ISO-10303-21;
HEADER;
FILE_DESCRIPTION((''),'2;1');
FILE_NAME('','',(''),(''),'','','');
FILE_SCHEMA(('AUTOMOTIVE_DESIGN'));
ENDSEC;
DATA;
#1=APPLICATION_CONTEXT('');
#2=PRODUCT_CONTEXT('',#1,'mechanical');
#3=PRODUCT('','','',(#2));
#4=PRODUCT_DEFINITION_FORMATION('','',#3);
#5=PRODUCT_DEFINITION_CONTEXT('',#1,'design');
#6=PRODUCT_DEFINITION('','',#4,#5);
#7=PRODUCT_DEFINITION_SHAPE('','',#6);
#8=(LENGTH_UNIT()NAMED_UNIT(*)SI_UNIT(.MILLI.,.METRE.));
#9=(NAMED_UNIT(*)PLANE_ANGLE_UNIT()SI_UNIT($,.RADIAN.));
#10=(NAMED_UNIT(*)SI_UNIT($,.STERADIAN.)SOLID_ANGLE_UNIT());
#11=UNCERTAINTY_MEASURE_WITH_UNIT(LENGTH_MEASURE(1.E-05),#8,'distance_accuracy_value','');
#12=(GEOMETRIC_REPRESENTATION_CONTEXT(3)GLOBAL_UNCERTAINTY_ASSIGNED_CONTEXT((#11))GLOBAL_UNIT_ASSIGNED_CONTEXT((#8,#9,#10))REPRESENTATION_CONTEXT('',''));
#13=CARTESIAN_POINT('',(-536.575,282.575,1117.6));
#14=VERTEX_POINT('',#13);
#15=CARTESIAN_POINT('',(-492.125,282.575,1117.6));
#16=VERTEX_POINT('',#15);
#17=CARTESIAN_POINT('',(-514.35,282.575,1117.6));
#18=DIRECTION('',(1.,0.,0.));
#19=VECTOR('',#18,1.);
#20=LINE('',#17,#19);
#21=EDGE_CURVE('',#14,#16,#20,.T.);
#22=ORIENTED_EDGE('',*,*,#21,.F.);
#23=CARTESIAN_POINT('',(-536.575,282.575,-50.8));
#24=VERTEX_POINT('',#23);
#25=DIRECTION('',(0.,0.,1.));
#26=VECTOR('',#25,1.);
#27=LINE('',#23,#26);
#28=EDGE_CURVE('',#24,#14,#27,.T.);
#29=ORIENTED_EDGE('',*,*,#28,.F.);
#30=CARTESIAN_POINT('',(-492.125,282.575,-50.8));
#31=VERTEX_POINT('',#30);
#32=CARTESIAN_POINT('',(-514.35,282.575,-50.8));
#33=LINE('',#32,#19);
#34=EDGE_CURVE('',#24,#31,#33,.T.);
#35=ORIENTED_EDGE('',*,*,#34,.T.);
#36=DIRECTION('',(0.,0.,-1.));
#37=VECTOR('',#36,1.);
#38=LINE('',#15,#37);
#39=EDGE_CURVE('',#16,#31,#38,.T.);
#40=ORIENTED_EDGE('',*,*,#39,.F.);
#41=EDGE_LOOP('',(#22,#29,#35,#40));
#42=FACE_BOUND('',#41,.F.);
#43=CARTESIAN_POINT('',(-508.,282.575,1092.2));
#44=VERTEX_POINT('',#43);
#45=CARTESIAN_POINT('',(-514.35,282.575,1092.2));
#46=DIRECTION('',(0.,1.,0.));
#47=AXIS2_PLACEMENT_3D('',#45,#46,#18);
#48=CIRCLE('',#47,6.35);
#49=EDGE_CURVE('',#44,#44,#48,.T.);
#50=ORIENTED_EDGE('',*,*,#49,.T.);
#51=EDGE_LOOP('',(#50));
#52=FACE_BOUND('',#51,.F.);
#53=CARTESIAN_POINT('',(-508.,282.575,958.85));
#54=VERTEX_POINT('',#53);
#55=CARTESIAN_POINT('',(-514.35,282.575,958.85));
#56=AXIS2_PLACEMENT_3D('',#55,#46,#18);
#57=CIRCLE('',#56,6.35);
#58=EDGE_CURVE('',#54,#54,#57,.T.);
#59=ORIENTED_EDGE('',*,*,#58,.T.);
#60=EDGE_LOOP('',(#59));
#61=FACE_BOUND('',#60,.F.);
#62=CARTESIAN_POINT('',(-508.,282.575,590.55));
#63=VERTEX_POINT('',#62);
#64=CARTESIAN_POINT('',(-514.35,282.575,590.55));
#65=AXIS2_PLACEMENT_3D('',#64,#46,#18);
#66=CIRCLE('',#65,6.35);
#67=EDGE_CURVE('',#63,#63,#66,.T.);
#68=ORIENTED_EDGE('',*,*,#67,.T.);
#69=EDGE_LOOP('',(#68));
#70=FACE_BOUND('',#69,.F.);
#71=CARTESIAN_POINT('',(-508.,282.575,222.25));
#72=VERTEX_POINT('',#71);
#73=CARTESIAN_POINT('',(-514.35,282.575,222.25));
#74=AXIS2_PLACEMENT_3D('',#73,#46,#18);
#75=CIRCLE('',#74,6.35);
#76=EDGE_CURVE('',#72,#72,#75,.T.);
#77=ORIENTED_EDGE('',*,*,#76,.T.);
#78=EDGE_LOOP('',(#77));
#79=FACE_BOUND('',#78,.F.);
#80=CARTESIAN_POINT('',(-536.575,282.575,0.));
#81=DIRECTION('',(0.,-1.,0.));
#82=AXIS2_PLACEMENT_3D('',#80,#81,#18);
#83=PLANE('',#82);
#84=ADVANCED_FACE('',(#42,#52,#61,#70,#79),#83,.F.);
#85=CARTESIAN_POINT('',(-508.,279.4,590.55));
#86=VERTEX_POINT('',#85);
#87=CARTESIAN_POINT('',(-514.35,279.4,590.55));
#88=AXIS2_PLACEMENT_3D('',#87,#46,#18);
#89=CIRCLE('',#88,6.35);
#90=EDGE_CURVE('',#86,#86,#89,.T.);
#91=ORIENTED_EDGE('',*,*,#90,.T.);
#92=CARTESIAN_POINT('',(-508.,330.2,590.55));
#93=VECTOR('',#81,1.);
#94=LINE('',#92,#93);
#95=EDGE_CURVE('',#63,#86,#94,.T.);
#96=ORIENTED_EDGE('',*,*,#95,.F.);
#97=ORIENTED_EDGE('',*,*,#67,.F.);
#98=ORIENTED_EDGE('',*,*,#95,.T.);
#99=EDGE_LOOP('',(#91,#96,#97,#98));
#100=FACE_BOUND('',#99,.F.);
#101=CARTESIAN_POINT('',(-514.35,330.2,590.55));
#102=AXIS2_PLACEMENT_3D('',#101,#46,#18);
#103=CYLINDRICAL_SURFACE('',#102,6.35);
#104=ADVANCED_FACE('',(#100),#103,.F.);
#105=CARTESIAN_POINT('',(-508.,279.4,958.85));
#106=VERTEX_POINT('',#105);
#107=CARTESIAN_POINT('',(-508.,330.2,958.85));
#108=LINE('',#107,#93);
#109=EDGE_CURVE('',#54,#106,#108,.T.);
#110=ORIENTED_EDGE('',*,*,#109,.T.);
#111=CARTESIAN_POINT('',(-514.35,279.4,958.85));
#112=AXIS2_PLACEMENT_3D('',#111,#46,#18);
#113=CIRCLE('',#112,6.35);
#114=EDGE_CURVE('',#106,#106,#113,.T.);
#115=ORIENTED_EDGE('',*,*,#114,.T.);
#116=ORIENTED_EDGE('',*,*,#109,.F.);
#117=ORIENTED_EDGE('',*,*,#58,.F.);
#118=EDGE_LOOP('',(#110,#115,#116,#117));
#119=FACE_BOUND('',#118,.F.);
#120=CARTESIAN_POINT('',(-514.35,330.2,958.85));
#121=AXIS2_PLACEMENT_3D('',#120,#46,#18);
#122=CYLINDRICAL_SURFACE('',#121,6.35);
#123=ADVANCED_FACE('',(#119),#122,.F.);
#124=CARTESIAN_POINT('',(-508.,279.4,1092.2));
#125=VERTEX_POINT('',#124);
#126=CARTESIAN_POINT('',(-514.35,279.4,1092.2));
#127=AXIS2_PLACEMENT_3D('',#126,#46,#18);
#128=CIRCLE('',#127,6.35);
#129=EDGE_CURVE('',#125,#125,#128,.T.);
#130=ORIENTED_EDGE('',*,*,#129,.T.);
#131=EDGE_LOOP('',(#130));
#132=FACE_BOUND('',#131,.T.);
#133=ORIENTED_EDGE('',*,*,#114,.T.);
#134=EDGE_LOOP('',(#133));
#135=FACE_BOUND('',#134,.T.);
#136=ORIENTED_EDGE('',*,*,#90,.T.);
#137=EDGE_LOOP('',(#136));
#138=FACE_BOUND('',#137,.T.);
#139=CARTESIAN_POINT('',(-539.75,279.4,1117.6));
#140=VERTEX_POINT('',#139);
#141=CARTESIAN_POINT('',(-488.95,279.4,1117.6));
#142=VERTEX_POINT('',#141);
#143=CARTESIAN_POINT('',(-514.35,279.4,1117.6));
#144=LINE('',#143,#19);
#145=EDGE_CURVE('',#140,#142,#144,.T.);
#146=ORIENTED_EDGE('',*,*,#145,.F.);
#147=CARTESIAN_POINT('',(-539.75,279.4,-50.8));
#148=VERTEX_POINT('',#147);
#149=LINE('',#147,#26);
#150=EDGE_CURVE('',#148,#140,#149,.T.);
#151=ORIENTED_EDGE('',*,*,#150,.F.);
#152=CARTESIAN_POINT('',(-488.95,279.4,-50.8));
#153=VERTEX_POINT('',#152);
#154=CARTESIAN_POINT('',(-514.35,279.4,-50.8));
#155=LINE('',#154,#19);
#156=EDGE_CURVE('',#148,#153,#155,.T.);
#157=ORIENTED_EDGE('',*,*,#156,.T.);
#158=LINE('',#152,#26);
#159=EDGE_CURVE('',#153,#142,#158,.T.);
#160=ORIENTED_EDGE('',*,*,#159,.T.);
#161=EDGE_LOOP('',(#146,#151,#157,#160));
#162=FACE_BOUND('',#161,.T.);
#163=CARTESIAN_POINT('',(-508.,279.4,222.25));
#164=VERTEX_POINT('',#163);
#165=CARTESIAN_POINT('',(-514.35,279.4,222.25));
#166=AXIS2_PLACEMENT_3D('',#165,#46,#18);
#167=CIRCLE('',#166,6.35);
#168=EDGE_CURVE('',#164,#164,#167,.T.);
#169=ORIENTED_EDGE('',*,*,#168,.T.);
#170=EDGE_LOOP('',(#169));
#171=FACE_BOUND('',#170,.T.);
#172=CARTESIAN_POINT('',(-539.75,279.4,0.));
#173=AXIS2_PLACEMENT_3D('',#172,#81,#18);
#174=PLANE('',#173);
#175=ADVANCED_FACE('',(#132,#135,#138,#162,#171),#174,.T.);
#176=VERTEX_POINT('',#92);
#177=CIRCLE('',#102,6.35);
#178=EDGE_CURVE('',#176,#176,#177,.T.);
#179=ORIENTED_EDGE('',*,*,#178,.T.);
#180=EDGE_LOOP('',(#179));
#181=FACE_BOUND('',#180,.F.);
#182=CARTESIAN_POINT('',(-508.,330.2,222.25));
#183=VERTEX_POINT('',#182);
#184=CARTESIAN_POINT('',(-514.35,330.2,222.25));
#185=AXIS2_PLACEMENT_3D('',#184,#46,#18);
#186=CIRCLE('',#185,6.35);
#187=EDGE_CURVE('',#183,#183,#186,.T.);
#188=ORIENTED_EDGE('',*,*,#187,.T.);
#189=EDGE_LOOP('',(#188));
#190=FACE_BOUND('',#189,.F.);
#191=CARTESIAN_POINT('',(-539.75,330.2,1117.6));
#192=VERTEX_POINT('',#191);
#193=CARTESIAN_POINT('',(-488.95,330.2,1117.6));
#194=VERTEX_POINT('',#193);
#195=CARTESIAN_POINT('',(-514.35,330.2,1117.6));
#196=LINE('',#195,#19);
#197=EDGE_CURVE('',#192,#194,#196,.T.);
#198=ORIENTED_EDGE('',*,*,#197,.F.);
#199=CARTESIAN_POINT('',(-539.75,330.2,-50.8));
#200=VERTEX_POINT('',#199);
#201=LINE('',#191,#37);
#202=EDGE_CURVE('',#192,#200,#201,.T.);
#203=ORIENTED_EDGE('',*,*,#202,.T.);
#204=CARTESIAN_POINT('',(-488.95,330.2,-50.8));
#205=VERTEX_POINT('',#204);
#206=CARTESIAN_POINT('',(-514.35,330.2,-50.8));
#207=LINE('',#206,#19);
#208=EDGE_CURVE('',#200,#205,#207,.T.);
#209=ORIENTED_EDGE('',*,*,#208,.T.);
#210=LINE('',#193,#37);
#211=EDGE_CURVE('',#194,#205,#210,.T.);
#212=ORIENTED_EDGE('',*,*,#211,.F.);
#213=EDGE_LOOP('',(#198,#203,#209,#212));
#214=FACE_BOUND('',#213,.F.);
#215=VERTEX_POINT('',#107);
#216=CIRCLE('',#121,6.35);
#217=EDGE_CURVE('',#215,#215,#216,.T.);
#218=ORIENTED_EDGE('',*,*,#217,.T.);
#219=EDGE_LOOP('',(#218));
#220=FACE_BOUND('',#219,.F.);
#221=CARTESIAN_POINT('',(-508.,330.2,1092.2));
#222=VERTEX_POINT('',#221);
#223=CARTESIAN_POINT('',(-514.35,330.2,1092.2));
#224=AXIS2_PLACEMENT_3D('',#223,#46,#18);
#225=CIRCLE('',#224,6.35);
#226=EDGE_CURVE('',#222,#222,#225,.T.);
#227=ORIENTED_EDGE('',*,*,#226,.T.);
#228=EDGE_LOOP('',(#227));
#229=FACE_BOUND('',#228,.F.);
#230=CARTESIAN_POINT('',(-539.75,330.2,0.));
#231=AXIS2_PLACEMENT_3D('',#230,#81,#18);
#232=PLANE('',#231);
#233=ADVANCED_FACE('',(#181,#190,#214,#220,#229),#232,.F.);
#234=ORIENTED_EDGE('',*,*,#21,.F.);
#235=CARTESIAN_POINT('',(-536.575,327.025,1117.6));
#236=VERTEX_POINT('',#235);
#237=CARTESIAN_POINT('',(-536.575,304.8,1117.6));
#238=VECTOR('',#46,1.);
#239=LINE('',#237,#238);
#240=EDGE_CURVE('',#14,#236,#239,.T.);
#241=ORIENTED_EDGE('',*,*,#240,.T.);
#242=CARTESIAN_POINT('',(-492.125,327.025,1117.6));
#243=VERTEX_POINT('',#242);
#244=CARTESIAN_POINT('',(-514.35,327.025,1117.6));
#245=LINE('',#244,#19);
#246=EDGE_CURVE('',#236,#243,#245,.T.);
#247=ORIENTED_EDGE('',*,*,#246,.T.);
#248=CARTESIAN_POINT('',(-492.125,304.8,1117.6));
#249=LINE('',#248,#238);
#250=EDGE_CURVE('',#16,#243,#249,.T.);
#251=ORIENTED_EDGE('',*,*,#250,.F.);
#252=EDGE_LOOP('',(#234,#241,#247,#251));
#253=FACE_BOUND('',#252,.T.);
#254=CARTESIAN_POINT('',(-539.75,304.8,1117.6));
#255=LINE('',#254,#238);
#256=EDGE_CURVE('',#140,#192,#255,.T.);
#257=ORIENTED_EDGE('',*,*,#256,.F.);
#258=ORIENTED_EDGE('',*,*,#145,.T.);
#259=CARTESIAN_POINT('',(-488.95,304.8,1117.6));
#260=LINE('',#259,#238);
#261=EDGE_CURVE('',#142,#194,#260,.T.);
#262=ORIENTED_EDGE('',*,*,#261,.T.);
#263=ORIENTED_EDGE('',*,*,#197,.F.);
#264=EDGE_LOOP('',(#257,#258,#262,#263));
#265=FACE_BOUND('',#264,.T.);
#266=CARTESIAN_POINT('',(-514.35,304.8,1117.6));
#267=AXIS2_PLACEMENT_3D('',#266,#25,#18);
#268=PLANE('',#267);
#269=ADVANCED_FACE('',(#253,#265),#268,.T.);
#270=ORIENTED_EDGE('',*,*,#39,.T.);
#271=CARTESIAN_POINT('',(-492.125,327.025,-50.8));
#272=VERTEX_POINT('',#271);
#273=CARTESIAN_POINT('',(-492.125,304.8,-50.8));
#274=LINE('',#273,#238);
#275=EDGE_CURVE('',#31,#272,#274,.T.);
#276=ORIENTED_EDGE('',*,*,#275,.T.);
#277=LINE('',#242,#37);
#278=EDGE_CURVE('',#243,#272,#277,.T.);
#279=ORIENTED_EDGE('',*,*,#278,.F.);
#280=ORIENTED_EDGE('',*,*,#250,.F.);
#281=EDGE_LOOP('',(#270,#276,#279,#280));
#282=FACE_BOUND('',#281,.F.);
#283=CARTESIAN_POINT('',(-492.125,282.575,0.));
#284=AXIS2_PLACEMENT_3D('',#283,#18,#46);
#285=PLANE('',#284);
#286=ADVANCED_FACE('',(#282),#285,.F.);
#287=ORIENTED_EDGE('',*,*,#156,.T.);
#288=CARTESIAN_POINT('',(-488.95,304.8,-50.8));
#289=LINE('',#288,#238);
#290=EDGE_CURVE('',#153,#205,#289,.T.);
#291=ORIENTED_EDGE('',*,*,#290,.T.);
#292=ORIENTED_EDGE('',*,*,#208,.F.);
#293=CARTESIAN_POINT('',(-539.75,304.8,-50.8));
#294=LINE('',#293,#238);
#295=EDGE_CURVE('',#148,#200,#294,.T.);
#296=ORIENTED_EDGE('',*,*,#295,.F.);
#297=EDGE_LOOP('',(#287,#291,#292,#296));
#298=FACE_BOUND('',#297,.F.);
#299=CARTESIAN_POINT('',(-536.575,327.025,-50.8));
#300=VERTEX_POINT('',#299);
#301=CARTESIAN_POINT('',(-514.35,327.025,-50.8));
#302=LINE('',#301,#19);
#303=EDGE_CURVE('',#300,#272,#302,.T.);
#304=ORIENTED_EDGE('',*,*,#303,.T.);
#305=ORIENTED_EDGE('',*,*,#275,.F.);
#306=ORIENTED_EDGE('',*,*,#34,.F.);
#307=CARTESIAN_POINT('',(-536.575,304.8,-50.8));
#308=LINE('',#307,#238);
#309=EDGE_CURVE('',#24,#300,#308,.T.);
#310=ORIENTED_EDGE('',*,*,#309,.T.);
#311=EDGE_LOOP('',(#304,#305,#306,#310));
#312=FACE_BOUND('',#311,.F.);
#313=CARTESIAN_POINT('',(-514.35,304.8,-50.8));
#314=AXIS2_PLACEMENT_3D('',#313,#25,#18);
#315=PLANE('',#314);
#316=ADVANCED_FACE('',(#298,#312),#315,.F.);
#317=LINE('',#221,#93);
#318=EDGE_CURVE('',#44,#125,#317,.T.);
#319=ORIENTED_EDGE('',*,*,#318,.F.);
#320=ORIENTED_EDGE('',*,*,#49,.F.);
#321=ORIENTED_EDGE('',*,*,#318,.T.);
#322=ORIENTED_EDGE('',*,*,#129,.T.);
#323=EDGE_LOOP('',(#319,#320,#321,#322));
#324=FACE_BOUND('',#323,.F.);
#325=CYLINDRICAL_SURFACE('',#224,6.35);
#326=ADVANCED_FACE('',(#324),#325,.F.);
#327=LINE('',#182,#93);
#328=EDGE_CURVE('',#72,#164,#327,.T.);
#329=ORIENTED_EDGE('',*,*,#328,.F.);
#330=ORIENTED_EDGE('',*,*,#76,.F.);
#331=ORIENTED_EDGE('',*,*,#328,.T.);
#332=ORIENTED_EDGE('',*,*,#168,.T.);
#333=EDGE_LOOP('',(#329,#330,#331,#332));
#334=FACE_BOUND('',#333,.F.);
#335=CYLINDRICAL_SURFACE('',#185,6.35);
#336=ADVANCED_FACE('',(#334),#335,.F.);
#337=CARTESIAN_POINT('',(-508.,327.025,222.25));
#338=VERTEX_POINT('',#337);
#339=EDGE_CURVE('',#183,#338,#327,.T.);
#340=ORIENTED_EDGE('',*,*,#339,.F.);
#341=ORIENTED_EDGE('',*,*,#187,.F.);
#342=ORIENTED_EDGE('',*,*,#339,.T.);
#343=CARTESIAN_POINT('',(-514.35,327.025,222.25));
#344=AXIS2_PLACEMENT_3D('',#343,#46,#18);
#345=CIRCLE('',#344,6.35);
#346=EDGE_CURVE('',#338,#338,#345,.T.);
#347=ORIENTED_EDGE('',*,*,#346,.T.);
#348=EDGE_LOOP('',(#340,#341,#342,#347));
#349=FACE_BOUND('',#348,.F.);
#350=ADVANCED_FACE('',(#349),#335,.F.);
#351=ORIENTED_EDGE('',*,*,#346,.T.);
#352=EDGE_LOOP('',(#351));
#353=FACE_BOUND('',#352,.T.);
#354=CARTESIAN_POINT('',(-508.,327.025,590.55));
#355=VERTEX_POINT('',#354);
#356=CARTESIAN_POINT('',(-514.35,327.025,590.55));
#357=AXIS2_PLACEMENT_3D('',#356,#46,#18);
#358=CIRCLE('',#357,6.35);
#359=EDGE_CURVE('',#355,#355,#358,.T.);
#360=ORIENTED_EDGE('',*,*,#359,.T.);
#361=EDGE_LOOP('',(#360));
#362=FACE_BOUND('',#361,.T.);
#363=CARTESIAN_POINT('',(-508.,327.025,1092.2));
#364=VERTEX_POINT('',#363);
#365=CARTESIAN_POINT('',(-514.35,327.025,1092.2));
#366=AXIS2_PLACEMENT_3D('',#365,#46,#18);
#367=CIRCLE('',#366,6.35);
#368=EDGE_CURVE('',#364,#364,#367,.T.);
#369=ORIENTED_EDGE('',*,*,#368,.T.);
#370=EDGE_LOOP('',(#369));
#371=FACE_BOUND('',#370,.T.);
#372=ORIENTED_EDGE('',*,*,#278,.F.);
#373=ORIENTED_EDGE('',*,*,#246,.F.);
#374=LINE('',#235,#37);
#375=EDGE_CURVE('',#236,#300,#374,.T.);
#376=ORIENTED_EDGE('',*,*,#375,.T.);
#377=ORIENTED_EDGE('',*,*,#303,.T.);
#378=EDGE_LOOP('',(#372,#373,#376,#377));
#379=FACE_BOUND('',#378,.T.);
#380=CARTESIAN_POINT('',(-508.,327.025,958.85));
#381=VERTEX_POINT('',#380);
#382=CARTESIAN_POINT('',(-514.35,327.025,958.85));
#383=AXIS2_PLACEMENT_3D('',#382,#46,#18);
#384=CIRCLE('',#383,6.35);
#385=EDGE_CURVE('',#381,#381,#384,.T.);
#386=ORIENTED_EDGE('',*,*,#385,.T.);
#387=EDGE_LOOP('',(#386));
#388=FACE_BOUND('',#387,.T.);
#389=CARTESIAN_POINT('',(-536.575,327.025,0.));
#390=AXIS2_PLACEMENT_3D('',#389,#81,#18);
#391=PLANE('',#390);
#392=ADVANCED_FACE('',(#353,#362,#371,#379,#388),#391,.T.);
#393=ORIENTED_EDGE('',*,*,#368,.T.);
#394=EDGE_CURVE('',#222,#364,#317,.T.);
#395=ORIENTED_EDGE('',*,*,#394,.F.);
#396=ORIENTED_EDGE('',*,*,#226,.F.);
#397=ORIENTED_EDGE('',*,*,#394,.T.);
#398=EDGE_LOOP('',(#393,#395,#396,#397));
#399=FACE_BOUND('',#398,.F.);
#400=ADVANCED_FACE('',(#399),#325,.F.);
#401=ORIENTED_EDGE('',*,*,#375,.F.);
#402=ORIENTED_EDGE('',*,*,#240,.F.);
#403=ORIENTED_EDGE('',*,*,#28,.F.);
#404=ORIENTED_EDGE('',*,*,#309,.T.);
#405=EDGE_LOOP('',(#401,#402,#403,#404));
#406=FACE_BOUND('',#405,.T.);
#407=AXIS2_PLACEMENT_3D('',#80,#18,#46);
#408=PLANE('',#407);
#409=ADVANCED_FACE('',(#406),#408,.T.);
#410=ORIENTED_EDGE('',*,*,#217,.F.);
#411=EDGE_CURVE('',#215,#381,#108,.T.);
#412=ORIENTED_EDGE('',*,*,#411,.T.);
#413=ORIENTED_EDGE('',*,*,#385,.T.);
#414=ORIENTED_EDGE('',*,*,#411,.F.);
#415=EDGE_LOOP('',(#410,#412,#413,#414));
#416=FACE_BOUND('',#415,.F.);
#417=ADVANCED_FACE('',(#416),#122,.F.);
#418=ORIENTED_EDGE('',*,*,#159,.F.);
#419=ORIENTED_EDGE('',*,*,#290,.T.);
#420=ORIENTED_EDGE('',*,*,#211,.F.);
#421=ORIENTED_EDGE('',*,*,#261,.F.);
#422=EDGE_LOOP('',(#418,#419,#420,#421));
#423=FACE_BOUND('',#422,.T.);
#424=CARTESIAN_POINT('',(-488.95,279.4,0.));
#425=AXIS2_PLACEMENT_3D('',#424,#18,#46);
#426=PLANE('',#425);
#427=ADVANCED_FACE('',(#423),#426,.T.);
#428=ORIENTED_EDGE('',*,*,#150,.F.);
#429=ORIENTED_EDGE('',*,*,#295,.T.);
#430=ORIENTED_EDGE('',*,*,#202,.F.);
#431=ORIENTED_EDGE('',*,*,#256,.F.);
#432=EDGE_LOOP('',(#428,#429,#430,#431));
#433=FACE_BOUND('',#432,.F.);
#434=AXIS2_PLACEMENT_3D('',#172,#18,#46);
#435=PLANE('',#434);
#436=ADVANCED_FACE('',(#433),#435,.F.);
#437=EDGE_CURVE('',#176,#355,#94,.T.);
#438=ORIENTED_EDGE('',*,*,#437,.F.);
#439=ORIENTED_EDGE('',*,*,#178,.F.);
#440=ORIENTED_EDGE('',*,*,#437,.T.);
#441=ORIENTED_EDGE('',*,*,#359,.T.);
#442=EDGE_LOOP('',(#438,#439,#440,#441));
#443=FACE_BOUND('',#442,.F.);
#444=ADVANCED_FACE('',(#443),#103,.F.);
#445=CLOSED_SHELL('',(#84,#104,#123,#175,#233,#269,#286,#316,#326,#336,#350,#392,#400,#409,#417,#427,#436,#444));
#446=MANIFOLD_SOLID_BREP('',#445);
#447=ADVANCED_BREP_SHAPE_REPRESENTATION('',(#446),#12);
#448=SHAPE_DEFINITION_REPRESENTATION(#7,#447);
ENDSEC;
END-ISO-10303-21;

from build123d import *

# Parameters (mm, degrees)
SKETCH1_W           = 50.8
SKETCH1_H           = 50.8
SKETCH1_W_2         = 44.45
SKETCH1_H_2         = 44.45
EXTRUDE1_DEPTH      = 1117.6
EXTRUDE1_DEPTH_BACK = 50.8
SKETCH3_R           = 6.35
CUT_EXTRUDE2_DEPTH  = 51.8


with BuildPart() as part:
    # Sketch1 → Extrude1 (new body, two sides)
    with BuildSketch(Plane.XY) as extrude1_sk:
        with Locations((-514.35, 304.8)):
            Rectangle(SKETCH1_W, SKETCH1_H)
        with Locations((-514.35, 304.8)):
            Rectangle(SKETCH1_W_2, SKETCH1_H_2, mode=Mode.SUBTRACT)
    extrude(amount=EXTRUDE1_DEPTH)
    extrude(extrude1_sk.sketch, amount=-EXTRUDE1_DEPTH_BACK)

    # Sketch3 → Cut-Extrude2 (cut, through all)
    with BuildSketch(Plane(origin=(0, 330.2, 0), x_dir=(1, 0, 0), z_dir=(0, 1, 0))):
        with Locations((-514.35, -1092.2)):
            Circle(SKETCH3_R)
        with Locations((-514.35, -958.85)):
            Circle(SKETCH3_R)
        with Locations((-514.35, -590.55)):
            Circle(SKETCH3_R)
        with Locations((-514.35, -222.25)):
            Circle(SKETCH3_R)
    extrude(amount=-CUT_EXTRUDE2_DEPTH, mode=Mode.SUBTRACT)


solid = part.part
